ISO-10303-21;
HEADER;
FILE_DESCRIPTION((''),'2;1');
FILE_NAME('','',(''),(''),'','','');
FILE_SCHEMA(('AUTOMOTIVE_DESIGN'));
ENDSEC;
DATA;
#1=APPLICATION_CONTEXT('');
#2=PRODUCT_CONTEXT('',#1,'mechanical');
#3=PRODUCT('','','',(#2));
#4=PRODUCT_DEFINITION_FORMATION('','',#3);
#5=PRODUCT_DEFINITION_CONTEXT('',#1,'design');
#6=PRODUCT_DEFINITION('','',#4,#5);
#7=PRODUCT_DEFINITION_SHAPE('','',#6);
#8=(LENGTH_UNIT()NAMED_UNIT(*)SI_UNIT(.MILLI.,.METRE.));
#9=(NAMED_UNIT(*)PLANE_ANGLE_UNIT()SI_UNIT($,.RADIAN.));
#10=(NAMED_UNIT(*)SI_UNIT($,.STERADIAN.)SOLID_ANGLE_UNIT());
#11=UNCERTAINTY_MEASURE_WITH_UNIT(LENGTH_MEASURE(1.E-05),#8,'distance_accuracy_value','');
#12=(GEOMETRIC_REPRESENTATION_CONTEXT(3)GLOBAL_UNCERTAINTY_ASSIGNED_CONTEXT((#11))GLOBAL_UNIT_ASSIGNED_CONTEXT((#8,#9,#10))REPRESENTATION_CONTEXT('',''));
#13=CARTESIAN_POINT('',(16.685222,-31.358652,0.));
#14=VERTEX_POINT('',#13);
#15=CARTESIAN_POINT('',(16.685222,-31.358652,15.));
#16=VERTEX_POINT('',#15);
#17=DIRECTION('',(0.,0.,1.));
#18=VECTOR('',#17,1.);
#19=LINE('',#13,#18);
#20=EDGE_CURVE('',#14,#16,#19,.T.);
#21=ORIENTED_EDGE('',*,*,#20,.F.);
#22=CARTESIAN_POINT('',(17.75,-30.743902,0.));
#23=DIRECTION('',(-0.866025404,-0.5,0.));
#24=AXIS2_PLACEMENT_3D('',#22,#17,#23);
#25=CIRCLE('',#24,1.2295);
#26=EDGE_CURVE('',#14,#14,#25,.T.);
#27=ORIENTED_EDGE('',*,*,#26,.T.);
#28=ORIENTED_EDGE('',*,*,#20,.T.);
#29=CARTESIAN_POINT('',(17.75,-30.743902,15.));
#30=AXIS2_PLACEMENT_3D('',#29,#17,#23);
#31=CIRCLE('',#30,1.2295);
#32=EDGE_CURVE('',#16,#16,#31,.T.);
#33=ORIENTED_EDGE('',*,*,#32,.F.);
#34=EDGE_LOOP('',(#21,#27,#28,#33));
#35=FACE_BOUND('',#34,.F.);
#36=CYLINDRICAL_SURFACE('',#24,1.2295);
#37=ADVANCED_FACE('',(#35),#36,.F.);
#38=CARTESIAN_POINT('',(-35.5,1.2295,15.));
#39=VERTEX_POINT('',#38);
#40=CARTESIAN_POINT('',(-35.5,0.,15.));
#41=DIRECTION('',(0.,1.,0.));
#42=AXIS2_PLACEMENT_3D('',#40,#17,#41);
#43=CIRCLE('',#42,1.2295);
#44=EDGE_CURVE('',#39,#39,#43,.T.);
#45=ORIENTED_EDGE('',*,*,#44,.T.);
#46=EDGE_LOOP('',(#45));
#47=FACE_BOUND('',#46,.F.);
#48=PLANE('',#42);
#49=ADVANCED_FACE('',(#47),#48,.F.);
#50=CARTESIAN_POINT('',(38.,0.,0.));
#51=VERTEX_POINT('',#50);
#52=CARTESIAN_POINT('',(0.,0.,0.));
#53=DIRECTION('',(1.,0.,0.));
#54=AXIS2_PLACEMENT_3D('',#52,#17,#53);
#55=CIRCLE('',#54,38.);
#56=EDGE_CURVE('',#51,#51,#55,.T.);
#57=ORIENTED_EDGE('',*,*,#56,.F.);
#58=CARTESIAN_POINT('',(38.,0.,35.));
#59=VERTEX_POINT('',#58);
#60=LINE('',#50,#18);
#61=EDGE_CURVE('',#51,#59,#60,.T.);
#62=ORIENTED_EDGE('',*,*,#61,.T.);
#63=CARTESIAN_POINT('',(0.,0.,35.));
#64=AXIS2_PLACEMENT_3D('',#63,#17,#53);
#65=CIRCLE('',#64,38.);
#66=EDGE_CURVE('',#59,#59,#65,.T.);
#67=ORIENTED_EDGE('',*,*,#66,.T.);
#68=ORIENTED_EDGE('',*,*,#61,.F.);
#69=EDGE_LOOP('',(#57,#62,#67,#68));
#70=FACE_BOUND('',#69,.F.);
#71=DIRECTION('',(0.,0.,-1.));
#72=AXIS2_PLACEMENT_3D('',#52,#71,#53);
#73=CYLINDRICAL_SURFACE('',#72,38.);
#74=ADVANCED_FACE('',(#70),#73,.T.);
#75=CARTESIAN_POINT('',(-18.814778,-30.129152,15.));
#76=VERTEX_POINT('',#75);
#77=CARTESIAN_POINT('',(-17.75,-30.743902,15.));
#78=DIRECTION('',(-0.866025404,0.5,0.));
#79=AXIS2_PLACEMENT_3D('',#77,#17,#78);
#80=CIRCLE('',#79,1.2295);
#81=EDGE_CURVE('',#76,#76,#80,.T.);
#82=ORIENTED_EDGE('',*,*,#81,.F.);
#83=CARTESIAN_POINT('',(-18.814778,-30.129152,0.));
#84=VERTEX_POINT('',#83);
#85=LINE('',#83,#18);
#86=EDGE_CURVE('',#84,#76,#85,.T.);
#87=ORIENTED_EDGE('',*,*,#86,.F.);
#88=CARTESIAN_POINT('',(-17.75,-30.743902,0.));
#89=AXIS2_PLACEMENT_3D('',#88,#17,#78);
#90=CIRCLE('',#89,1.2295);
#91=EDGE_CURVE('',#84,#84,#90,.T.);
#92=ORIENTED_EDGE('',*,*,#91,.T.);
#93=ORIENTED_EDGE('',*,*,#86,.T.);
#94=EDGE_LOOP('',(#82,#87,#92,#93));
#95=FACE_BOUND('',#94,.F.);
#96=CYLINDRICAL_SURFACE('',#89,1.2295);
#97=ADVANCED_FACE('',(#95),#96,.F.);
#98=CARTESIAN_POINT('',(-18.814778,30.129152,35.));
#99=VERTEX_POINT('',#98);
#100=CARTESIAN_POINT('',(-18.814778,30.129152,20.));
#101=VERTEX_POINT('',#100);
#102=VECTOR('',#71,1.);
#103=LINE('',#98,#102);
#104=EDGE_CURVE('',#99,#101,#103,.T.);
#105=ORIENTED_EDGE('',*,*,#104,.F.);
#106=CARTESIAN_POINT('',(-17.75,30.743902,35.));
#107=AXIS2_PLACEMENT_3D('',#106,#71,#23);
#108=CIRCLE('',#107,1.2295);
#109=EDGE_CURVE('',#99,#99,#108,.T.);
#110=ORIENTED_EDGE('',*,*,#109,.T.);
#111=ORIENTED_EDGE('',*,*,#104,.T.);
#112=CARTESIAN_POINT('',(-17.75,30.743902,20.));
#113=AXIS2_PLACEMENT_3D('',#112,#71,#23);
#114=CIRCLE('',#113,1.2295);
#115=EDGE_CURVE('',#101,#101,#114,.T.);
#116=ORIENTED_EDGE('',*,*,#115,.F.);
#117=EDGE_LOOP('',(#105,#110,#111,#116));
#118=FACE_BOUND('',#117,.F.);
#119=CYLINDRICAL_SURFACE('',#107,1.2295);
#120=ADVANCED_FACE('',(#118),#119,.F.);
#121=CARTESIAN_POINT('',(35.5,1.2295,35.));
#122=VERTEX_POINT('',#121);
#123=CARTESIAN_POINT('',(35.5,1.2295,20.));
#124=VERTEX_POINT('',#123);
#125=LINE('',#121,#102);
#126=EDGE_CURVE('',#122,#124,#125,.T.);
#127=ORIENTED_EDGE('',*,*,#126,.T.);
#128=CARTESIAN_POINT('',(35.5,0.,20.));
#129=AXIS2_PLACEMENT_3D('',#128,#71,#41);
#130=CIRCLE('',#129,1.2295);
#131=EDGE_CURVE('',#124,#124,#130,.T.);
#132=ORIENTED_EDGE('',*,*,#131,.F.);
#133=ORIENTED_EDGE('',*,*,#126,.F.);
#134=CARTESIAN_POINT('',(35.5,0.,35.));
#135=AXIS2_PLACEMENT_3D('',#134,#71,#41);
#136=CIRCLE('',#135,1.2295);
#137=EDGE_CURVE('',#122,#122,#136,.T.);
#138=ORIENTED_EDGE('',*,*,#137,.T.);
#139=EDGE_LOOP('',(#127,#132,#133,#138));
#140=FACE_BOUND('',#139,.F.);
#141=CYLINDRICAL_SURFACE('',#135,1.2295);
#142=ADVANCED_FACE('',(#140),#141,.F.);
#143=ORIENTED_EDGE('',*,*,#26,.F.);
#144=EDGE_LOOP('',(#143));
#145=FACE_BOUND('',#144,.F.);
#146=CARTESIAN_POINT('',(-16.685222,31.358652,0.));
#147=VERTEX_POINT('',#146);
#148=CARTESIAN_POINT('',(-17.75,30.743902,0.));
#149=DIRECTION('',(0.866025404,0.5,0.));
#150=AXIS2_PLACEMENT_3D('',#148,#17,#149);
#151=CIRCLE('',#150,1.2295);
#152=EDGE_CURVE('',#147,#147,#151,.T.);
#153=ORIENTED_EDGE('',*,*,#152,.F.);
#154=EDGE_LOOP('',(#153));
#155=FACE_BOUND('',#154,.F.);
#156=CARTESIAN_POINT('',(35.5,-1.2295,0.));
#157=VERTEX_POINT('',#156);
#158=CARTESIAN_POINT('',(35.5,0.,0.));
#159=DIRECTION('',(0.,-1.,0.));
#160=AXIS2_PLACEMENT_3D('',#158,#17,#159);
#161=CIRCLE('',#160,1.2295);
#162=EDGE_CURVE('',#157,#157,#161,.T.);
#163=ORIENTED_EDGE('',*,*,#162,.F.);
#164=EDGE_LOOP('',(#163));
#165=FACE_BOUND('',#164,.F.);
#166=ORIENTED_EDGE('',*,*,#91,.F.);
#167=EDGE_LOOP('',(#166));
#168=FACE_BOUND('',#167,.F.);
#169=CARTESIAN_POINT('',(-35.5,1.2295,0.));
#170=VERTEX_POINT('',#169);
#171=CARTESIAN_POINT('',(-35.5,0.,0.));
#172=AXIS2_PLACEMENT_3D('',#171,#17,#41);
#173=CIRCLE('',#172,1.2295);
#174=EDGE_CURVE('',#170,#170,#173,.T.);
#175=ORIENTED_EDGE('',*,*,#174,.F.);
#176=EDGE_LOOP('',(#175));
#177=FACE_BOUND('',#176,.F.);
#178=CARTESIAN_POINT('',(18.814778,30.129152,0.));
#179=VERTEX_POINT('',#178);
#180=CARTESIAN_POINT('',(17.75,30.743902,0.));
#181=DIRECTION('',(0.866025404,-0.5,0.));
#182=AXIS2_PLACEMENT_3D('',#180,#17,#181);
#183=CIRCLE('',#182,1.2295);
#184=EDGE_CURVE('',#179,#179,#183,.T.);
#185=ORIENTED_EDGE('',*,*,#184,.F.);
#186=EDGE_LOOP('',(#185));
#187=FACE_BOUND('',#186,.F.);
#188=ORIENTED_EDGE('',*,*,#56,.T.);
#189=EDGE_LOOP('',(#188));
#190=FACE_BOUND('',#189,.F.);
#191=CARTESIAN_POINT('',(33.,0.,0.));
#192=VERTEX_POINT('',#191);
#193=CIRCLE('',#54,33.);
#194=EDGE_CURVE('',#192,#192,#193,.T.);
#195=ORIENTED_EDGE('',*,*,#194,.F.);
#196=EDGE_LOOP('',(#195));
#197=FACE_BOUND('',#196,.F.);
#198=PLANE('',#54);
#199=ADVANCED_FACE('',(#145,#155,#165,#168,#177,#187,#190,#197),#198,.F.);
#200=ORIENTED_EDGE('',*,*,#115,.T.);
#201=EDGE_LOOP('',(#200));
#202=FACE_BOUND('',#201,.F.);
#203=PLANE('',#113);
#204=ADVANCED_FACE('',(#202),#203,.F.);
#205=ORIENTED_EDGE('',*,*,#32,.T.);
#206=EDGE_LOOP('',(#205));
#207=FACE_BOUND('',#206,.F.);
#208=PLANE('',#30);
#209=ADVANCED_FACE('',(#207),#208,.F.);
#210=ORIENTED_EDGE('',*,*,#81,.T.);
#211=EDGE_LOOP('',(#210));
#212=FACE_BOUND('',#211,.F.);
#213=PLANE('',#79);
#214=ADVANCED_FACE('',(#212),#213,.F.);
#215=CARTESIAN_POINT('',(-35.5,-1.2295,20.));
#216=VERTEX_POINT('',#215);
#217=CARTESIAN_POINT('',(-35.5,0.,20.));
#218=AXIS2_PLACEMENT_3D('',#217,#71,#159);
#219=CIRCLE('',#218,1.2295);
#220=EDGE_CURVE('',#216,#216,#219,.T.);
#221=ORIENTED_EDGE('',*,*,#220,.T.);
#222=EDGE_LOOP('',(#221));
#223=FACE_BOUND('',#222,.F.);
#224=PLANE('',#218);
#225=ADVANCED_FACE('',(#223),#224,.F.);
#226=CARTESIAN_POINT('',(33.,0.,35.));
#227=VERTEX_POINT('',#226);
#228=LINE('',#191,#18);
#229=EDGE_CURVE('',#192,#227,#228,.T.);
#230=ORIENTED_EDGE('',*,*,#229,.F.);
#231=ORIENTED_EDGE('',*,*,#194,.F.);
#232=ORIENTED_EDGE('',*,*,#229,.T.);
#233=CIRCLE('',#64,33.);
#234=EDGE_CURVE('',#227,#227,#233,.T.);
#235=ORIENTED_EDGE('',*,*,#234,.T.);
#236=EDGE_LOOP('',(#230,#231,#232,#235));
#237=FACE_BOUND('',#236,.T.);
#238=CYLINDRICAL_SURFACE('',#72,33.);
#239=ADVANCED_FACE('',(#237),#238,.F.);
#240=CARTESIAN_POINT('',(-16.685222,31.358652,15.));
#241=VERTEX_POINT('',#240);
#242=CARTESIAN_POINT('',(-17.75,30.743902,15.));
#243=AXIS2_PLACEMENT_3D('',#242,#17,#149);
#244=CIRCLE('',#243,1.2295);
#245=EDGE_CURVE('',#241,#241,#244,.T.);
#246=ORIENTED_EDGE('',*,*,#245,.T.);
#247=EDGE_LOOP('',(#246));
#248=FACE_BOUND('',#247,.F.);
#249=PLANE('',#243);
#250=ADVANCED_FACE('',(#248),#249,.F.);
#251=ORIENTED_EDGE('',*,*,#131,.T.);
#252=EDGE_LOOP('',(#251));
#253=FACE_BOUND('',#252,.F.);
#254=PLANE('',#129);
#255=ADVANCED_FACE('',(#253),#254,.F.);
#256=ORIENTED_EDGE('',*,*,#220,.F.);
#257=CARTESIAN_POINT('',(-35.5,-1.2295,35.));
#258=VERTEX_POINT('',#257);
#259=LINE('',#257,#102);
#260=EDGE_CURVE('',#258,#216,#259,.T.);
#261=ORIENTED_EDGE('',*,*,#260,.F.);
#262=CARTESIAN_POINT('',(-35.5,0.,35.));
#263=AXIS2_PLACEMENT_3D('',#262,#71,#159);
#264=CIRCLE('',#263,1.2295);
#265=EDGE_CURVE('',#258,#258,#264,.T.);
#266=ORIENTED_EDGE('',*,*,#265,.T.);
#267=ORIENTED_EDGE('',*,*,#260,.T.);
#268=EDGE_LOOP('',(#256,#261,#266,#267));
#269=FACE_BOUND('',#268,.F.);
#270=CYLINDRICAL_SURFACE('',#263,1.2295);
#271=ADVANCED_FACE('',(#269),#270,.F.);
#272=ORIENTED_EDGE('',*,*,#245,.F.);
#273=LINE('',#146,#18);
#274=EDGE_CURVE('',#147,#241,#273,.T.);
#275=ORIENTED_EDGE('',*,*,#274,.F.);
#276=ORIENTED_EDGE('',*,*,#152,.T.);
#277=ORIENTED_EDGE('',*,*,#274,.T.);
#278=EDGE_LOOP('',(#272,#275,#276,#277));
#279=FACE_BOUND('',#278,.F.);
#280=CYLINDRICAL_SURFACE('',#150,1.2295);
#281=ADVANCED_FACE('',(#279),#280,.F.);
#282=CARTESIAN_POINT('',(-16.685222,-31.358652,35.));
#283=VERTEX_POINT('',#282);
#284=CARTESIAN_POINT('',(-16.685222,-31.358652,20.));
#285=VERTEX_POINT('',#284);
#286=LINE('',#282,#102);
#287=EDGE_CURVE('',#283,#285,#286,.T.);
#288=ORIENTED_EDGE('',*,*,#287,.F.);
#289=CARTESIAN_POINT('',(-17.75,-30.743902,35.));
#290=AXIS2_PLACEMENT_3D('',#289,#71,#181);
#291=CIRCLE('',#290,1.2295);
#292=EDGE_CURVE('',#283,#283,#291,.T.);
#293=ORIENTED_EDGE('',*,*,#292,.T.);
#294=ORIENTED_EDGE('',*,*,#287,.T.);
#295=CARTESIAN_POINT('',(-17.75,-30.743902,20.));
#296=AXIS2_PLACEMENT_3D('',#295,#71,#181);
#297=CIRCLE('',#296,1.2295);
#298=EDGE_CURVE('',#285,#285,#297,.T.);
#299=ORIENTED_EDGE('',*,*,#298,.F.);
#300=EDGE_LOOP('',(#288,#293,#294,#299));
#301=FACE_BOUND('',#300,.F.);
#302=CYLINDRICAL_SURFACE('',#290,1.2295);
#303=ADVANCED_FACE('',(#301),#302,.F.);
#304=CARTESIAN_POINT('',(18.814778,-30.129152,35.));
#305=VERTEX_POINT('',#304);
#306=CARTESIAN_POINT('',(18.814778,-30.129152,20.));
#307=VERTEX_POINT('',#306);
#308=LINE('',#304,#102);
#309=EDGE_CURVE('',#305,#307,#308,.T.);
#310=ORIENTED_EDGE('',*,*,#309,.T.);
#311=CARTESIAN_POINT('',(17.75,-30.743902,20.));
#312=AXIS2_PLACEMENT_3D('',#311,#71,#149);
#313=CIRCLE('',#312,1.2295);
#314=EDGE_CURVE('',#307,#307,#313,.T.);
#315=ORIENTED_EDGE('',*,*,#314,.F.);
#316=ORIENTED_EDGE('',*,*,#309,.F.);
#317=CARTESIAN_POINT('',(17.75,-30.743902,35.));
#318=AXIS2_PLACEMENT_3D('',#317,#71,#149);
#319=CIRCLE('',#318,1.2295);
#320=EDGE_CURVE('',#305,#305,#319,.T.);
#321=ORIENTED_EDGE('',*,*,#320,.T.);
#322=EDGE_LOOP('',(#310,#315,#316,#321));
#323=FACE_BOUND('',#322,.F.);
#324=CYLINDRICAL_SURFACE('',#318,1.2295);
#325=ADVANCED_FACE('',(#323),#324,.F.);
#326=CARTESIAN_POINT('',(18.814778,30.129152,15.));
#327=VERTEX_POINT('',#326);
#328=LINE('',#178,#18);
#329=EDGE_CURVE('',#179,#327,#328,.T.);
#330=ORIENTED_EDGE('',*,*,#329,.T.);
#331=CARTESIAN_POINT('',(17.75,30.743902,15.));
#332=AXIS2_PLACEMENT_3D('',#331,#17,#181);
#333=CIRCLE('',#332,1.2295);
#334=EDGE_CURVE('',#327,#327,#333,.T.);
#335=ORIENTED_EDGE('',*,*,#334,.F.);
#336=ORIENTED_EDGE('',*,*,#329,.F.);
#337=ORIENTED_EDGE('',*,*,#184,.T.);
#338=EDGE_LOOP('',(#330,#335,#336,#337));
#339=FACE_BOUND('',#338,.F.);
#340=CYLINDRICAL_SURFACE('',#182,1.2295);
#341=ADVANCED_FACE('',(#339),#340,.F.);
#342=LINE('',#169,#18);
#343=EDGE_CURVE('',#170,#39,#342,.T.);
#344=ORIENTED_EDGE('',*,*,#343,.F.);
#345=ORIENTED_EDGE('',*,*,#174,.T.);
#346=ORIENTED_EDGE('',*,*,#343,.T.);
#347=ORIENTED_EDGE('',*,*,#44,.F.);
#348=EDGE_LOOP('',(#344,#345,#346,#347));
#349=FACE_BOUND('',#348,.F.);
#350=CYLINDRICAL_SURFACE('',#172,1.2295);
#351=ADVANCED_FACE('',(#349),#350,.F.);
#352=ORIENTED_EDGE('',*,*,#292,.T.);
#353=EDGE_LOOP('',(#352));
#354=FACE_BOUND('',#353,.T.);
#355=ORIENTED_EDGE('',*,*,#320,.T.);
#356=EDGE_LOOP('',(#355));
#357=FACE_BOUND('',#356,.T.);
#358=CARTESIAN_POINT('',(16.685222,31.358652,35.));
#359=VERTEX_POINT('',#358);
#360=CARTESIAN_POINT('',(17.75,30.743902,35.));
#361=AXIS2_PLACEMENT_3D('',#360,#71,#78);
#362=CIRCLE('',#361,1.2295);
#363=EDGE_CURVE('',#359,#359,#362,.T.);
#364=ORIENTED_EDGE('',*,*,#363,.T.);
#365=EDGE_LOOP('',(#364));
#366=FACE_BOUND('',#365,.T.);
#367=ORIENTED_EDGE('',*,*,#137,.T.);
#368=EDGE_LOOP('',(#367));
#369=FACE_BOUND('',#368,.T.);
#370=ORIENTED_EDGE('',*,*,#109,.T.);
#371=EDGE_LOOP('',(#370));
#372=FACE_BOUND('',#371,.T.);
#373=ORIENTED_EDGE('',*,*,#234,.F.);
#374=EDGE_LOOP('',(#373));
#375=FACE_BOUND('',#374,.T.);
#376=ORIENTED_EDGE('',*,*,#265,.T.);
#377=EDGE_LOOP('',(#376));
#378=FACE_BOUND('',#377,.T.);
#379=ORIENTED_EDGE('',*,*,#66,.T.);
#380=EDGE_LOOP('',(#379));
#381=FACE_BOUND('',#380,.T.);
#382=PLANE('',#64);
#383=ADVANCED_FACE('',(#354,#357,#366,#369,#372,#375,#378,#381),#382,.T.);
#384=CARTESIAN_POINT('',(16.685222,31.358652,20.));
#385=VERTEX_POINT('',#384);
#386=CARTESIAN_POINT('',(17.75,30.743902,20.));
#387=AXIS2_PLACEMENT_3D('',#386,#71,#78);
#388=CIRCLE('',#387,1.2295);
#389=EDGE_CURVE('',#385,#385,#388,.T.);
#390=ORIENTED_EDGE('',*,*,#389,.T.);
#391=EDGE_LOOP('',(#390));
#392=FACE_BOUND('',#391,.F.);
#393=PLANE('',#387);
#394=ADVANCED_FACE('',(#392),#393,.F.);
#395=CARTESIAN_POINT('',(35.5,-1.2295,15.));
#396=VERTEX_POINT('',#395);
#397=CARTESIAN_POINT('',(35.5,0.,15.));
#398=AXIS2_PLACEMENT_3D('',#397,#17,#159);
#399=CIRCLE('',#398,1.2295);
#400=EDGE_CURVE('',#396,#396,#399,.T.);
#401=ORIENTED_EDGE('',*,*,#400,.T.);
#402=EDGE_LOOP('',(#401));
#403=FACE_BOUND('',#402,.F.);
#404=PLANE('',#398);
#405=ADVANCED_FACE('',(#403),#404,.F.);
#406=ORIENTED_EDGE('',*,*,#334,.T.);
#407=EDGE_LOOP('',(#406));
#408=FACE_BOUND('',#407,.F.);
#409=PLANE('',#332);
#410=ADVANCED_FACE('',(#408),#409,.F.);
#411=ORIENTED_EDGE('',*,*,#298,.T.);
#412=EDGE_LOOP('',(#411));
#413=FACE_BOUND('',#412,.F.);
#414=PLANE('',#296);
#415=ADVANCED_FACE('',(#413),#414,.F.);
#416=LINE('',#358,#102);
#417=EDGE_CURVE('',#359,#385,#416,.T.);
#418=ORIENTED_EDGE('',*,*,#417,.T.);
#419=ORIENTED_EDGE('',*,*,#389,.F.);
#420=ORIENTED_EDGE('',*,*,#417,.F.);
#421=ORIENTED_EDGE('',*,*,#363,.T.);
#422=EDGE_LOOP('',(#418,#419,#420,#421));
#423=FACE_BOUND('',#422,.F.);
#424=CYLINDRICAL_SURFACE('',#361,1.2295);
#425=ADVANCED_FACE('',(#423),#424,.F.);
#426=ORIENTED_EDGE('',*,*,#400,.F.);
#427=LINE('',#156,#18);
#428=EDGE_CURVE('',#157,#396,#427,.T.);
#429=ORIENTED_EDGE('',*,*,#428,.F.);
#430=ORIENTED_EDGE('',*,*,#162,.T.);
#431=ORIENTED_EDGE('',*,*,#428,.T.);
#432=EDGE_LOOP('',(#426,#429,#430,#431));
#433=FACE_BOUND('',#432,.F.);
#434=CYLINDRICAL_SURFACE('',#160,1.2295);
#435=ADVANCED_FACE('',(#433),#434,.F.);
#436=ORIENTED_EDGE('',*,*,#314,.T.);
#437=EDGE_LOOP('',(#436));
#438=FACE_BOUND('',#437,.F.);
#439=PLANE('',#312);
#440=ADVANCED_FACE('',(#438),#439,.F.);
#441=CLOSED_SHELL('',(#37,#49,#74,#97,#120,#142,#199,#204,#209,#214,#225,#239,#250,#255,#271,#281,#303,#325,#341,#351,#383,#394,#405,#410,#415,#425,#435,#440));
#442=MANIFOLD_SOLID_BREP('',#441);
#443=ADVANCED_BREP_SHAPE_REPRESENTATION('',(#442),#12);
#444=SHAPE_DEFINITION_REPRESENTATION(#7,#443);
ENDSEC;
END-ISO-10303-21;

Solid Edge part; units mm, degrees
sketch "Sketch1" plane through (0, 0, 0) normal (0, 0, 1) x (1, 0, 0)
  circle A0 centre (0, 0) radius 38
  circle A1 centre (0, 0) radius 33
extrude "Protrusion1" add sketch "Sketch1" along normal blind 35
hole "Hole_1" at (-35.5, 0, 0) direction (0, 0, 1) diameter 2.459 depth 15 thread major 3 thread length 2
hole "Hole_2" at (-35.5, 0, 35) direction (0, 0, -1) diameter 2.459 depth 15 thread major 3 thread length 2
pattern_circular "Pattern1" count 6 over 360 about axis through (0, 0, 35) along (0, 0, -1) of "Hole_1", "Hole_2"
